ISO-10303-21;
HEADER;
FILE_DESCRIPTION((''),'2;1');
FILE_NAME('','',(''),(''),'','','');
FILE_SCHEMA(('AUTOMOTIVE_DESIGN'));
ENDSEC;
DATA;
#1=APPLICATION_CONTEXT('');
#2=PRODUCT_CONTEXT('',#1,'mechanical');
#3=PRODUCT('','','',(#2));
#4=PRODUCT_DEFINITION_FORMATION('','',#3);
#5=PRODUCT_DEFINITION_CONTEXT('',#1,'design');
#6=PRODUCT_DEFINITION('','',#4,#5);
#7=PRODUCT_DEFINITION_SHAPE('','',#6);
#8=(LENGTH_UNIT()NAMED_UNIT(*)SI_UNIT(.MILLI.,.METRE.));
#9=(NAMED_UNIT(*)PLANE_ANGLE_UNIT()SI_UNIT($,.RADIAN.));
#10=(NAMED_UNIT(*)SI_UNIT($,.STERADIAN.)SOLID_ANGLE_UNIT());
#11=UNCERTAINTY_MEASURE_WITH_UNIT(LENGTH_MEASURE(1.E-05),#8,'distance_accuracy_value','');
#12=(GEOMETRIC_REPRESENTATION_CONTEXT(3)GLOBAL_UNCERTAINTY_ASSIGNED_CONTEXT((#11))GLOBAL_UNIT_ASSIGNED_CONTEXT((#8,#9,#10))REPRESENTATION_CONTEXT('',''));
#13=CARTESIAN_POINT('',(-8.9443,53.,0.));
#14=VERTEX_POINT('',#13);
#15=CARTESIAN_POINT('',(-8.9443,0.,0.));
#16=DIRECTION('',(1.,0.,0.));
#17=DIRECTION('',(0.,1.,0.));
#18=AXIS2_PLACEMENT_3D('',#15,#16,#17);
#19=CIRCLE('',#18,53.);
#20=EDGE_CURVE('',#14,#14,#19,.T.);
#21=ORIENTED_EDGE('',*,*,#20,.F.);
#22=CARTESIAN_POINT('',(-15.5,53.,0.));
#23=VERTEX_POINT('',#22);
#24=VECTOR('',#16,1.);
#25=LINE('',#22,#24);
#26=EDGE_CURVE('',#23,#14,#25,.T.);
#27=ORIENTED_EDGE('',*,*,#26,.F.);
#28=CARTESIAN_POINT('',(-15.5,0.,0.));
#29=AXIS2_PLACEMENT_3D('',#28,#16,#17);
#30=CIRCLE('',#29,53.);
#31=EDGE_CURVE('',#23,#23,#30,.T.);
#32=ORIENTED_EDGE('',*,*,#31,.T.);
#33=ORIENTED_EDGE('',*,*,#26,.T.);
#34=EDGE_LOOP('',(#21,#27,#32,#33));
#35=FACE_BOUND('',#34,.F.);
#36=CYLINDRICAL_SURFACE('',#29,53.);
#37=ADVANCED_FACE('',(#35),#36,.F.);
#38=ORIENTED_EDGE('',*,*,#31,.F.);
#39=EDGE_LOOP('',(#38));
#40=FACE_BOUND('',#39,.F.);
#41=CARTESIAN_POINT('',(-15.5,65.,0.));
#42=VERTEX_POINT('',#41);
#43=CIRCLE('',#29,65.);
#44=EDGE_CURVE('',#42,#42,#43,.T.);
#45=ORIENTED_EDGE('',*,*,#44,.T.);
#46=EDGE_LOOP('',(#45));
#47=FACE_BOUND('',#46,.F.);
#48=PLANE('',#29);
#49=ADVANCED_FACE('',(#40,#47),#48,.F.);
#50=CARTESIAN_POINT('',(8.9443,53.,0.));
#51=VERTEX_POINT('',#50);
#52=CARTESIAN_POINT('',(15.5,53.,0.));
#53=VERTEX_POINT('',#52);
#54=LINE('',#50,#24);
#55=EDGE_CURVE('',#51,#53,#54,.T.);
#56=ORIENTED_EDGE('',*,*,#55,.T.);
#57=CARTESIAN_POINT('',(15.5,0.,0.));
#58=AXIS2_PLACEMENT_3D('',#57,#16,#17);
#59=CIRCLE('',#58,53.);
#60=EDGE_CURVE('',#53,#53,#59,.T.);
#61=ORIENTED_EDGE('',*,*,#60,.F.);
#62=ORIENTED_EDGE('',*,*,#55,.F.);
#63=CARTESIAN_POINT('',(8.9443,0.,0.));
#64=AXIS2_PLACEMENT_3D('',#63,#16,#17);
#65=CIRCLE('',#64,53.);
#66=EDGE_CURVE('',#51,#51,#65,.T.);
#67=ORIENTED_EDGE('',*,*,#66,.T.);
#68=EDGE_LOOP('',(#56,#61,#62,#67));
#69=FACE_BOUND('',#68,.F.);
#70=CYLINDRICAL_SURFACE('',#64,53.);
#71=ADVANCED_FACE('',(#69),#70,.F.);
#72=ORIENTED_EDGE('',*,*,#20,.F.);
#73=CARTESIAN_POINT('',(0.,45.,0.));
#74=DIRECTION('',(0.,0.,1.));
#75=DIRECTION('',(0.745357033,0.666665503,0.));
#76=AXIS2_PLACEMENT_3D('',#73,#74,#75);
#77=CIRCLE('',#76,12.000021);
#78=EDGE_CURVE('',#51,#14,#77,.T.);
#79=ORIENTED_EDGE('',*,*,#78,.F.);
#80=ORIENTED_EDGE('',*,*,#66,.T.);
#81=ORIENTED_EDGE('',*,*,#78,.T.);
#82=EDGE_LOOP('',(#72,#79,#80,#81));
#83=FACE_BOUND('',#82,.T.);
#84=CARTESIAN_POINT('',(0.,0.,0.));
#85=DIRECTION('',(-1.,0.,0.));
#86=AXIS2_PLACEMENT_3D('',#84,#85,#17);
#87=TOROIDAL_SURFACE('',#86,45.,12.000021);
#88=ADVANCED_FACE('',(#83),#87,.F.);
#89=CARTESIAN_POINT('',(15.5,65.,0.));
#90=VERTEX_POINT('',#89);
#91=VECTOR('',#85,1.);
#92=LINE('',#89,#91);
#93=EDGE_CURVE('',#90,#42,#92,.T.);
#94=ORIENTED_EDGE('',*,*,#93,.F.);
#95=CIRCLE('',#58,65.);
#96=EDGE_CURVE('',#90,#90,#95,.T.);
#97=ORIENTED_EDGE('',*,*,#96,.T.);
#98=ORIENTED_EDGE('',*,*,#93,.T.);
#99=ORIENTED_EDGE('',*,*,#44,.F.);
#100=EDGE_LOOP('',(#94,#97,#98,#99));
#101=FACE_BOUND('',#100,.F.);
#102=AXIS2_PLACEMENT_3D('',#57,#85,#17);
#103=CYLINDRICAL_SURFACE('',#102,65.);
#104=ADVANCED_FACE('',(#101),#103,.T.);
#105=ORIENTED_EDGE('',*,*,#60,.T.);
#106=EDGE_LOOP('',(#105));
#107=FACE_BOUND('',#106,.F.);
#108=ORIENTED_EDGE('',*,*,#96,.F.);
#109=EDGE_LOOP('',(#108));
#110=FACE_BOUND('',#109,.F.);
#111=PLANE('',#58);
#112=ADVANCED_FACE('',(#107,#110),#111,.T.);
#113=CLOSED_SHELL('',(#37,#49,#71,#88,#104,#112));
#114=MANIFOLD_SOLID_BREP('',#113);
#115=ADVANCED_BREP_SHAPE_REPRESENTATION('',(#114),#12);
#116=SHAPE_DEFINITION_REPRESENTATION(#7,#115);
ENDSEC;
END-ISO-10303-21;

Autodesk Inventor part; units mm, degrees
ref_plane "XY Plane" through (0, 0, 0) normal (0, 0, 1) x (1, 0, 0)
sketch "Sketch1" plane through (0, 0, 0) normal (0, 0, 1) x (1, 0, 0)
  line L0 (15.5, 53) -> (15.5, 65)
  line L1 (15.5, 65) -> (-15.5, 65)
  line L2 (-15.5, 65) -> (-15.5, 53)
  line L3 (-15.5, 53) -> (15.5, 65) construction
  line L4 (15.5, 53) -> (-15.5, 65) construction
  line L5 (0, 53) -> (0, 45) construction
  arc A0 (8.9443, 53) -> (-8.9443, 53) centre (0, 45) ccw
  line L6 (-15.5, 53) -> (-8.9443, 53)
  line L7 (8.9443, 53) -> (15.5, 53)
  line L8 (-8.9443, 53) -> (8.9443, 53) construction
  line L9 (-16.6622, 0) -> (29.8943, 0) construction
  line L10 (0, 45) -> (0, 0) construction
  point P0 (0, 57)
  dimension "d1" = 31
  dimension "d2" = 12
  dimension "d3" = 53
  dimension "d4" = 8
  dimension "d6" = 12
revolve "Revolution1" add sketch "Sketch1" angle 360 about axis through (-16.6622, 0, 0) along (1, 0, 0)
ref_plane "Work Plane1" through (0, 0, 0) normal (1, 0, 0) x (0, 1, 0)
properties part number "Outer ring"
